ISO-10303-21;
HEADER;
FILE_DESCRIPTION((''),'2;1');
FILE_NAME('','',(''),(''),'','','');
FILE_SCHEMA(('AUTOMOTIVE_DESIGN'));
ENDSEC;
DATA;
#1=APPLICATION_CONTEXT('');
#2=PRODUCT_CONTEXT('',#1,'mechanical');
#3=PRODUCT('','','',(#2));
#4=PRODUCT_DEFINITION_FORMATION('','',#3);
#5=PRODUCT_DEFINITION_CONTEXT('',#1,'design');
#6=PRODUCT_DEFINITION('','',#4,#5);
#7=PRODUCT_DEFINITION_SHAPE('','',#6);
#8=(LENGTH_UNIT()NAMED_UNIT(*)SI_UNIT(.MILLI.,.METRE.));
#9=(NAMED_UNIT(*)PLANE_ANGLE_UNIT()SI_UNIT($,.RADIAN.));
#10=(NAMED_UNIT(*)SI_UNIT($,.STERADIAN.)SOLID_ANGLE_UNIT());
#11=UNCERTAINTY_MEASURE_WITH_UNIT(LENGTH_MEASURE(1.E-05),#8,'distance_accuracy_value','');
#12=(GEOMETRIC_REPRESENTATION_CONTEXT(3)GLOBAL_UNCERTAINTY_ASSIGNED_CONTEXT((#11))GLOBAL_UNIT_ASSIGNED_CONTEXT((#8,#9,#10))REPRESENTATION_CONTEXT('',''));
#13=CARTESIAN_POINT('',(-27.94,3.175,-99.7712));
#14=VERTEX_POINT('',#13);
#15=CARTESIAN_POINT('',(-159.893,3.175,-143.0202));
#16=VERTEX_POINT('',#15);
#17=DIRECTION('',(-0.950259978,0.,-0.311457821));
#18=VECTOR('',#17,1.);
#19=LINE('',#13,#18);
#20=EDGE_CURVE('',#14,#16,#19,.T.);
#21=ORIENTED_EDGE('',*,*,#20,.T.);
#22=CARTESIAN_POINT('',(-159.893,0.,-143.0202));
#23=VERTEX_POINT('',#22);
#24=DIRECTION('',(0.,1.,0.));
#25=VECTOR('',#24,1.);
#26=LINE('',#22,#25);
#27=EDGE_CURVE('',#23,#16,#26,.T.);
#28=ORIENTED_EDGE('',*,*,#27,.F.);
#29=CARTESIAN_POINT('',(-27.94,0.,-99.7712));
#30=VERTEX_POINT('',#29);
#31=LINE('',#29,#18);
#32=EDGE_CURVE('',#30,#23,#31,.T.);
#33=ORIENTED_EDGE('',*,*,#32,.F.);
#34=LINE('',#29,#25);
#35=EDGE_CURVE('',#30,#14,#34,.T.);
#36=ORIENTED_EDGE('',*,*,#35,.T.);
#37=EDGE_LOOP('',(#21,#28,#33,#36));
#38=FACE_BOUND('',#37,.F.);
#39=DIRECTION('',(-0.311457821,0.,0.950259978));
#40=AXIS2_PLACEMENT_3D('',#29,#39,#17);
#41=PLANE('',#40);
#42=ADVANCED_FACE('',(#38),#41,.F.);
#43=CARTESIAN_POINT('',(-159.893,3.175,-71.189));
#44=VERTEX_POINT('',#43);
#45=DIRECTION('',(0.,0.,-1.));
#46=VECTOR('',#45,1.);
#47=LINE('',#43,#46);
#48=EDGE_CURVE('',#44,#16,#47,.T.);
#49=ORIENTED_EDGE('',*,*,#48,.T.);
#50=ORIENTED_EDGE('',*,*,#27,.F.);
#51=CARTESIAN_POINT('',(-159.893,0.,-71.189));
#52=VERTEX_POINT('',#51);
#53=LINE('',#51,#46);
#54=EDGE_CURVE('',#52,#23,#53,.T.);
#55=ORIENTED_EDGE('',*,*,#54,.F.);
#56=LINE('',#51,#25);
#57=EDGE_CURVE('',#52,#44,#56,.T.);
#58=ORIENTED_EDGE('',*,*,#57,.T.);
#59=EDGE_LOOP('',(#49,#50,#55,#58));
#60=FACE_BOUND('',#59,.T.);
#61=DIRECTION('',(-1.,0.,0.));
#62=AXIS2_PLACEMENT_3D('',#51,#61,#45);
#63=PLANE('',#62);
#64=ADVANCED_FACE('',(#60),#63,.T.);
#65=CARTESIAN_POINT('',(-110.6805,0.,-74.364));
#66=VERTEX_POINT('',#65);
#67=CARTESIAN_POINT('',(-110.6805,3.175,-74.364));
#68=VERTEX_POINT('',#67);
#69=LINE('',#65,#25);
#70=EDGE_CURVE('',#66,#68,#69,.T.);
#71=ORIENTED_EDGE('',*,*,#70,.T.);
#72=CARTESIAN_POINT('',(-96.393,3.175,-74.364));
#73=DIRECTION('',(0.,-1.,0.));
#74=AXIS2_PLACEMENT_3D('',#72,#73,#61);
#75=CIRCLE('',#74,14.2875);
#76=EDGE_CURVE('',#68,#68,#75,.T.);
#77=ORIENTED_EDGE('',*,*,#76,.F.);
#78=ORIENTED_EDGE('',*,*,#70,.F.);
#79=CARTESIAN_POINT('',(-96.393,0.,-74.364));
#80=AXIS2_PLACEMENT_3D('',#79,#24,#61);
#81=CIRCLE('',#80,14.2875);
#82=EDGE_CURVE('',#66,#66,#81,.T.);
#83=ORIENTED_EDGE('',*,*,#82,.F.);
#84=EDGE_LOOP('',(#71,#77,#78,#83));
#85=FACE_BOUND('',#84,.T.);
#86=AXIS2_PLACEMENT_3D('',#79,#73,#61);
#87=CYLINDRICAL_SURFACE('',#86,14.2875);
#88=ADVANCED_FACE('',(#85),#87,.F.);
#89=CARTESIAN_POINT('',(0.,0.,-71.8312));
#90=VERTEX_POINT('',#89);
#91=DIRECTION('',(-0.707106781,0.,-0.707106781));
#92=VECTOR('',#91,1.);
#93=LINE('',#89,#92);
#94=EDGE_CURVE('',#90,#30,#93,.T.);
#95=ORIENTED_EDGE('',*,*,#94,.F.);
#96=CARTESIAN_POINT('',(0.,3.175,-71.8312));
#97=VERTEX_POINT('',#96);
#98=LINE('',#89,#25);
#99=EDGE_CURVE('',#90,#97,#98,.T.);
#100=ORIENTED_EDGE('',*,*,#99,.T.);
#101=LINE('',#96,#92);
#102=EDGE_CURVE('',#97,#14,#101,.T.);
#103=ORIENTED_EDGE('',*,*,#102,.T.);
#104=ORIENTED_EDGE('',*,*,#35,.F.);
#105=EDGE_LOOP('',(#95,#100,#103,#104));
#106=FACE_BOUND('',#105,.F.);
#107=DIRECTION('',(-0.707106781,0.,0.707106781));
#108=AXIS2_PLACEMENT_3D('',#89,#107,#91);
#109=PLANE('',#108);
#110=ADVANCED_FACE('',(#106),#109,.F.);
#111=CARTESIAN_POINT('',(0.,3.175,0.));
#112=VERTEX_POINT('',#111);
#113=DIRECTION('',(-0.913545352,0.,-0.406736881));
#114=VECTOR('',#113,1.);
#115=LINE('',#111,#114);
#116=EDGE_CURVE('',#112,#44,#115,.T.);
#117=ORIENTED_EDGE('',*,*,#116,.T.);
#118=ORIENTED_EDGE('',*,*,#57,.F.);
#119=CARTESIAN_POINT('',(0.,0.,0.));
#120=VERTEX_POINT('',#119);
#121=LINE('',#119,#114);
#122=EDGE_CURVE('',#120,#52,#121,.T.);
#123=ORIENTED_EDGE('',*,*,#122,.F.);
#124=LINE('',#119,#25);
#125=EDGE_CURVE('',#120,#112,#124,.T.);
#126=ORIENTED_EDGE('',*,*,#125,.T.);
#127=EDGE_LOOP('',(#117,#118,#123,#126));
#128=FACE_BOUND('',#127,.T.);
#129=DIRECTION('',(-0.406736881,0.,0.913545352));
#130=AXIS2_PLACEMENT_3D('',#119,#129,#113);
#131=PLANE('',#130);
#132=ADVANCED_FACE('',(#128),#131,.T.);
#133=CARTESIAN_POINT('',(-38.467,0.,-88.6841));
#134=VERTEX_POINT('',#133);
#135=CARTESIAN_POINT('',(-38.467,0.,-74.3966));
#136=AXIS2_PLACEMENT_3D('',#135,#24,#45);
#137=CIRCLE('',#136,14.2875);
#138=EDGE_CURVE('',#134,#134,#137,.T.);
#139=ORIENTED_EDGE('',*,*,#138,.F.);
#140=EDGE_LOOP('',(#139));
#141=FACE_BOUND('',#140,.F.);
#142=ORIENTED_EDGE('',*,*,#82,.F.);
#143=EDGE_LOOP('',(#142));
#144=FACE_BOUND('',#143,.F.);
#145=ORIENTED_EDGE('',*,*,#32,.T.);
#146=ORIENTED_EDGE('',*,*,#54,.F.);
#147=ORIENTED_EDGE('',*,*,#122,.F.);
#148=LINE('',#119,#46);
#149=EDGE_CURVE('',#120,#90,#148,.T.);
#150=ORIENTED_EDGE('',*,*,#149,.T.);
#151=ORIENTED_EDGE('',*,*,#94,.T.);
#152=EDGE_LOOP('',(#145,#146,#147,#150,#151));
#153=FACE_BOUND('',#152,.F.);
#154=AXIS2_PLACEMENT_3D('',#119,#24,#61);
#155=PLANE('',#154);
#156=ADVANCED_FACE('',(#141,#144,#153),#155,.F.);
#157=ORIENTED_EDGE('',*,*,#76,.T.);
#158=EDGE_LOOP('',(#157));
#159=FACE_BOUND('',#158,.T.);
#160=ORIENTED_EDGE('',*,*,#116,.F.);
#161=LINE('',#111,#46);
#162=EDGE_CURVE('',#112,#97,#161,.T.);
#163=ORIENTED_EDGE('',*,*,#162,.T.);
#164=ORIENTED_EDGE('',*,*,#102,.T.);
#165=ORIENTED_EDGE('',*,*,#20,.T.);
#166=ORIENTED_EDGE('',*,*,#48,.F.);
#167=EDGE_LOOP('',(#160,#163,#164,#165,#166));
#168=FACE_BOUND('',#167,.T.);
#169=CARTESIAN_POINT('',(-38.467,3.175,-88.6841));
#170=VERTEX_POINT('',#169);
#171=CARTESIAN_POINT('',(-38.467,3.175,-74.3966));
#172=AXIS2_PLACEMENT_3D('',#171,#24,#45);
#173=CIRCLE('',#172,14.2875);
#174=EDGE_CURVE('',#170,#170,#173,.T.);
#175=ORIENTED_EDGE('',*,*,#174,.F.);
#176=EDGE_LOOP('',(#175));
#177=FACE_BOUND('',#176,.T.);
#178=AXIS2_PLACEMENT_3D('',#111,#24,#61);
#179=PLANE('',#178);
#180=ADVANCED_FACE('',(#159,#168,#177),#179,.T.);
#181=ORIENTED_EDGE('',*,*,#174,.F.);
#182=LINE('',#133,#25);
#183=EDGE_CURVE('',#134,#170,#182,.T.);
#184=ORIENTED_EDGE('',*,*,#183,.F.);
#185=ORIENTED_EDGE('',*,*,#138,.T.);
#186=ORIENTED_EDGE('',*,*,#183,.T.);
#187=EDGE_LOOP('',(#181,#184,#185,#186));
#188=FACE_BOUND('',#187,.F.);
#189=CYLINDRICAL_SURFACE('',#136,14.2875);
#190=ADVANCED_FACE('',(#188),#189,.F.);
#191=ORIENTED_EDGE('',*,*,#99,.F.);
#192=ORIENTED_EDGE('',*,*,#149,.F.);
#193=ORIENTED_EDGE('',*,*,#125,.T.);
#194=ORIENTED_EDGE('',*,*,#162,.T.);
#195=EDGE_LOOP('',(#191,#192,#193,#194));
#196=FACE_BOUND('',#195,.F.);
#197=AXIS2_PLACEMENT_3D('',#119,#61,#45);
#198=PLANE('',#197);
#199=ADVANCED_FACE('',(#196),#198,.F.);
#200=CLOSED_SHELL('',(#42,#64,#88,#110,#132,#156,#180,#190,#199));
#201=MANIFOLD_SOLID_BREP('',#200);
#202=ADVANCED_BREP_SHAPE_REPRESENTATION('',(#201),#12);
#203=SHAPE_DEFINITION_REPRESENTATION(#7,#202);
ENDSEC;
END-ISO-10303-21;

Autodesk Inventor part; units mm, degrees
ref_plane "YZ Plane" through (0, 0, 0) normal (1, 0, 0) x (0, 1, 0)
ref_plane "XZ Plane" through (0, 0, 0) normal (0, 1, 0) x (-1, 0, 0)
ref_plane "XY Plane" through (0, 0, 0) normal (0, 0, 1) x (1, 0, 0)
sketch "Sketch1" plane through (0, 0, 0) normal (0, 1, 0) x (-1, 0, 0)
  line L0 (0, 0) -> (0, -71.8312)
  line L1 (0, 0) -> (159.893, -71.189)
  line L2 (159.893, -71.189) -> (159.893, -143.0202)
  line L3 (159.893, -143.0202) -> (0, -71.8312)
  circle A0 centre (96.393, -74.364) radius 14.2875
  line L4 (0, -71.8312) -> (27.94, -99.7712)
  line L5 (27.94, -99.7712) -> (159.893, -143.0202)
  point P0 (38.467, -74.3966)
  dimension "d0" = 71.8312
  dimension "d1" = 66
  dimension "d2" = 159.893
  dimension "d4" = 71.8312
  dimension "d5" = 3.175
  dimension "d6" = 63.5
  dimension "d7" = 28.575
  dimension "d10" = 38.467
  dimension "d11" = 74.3966
  dimension "d12" = 27.94
  dimension "d14" = 21
extrude "Extrusion1" add sketch "Sketch1" along normal blind 3.175 contours L1 L2 L3 L0
extrude "Extrusion3" add sketch "Sketch1" along normal blind 3.175 contours L3 L5 L4
hole "Hole2" at (-96.393, 0, -74.364) at (-38.467, 0, -74.3966) direction (0, 1, 0) diameter 28.575 end through all
properties part number "StorageGusset.ver1-1111-2020"
